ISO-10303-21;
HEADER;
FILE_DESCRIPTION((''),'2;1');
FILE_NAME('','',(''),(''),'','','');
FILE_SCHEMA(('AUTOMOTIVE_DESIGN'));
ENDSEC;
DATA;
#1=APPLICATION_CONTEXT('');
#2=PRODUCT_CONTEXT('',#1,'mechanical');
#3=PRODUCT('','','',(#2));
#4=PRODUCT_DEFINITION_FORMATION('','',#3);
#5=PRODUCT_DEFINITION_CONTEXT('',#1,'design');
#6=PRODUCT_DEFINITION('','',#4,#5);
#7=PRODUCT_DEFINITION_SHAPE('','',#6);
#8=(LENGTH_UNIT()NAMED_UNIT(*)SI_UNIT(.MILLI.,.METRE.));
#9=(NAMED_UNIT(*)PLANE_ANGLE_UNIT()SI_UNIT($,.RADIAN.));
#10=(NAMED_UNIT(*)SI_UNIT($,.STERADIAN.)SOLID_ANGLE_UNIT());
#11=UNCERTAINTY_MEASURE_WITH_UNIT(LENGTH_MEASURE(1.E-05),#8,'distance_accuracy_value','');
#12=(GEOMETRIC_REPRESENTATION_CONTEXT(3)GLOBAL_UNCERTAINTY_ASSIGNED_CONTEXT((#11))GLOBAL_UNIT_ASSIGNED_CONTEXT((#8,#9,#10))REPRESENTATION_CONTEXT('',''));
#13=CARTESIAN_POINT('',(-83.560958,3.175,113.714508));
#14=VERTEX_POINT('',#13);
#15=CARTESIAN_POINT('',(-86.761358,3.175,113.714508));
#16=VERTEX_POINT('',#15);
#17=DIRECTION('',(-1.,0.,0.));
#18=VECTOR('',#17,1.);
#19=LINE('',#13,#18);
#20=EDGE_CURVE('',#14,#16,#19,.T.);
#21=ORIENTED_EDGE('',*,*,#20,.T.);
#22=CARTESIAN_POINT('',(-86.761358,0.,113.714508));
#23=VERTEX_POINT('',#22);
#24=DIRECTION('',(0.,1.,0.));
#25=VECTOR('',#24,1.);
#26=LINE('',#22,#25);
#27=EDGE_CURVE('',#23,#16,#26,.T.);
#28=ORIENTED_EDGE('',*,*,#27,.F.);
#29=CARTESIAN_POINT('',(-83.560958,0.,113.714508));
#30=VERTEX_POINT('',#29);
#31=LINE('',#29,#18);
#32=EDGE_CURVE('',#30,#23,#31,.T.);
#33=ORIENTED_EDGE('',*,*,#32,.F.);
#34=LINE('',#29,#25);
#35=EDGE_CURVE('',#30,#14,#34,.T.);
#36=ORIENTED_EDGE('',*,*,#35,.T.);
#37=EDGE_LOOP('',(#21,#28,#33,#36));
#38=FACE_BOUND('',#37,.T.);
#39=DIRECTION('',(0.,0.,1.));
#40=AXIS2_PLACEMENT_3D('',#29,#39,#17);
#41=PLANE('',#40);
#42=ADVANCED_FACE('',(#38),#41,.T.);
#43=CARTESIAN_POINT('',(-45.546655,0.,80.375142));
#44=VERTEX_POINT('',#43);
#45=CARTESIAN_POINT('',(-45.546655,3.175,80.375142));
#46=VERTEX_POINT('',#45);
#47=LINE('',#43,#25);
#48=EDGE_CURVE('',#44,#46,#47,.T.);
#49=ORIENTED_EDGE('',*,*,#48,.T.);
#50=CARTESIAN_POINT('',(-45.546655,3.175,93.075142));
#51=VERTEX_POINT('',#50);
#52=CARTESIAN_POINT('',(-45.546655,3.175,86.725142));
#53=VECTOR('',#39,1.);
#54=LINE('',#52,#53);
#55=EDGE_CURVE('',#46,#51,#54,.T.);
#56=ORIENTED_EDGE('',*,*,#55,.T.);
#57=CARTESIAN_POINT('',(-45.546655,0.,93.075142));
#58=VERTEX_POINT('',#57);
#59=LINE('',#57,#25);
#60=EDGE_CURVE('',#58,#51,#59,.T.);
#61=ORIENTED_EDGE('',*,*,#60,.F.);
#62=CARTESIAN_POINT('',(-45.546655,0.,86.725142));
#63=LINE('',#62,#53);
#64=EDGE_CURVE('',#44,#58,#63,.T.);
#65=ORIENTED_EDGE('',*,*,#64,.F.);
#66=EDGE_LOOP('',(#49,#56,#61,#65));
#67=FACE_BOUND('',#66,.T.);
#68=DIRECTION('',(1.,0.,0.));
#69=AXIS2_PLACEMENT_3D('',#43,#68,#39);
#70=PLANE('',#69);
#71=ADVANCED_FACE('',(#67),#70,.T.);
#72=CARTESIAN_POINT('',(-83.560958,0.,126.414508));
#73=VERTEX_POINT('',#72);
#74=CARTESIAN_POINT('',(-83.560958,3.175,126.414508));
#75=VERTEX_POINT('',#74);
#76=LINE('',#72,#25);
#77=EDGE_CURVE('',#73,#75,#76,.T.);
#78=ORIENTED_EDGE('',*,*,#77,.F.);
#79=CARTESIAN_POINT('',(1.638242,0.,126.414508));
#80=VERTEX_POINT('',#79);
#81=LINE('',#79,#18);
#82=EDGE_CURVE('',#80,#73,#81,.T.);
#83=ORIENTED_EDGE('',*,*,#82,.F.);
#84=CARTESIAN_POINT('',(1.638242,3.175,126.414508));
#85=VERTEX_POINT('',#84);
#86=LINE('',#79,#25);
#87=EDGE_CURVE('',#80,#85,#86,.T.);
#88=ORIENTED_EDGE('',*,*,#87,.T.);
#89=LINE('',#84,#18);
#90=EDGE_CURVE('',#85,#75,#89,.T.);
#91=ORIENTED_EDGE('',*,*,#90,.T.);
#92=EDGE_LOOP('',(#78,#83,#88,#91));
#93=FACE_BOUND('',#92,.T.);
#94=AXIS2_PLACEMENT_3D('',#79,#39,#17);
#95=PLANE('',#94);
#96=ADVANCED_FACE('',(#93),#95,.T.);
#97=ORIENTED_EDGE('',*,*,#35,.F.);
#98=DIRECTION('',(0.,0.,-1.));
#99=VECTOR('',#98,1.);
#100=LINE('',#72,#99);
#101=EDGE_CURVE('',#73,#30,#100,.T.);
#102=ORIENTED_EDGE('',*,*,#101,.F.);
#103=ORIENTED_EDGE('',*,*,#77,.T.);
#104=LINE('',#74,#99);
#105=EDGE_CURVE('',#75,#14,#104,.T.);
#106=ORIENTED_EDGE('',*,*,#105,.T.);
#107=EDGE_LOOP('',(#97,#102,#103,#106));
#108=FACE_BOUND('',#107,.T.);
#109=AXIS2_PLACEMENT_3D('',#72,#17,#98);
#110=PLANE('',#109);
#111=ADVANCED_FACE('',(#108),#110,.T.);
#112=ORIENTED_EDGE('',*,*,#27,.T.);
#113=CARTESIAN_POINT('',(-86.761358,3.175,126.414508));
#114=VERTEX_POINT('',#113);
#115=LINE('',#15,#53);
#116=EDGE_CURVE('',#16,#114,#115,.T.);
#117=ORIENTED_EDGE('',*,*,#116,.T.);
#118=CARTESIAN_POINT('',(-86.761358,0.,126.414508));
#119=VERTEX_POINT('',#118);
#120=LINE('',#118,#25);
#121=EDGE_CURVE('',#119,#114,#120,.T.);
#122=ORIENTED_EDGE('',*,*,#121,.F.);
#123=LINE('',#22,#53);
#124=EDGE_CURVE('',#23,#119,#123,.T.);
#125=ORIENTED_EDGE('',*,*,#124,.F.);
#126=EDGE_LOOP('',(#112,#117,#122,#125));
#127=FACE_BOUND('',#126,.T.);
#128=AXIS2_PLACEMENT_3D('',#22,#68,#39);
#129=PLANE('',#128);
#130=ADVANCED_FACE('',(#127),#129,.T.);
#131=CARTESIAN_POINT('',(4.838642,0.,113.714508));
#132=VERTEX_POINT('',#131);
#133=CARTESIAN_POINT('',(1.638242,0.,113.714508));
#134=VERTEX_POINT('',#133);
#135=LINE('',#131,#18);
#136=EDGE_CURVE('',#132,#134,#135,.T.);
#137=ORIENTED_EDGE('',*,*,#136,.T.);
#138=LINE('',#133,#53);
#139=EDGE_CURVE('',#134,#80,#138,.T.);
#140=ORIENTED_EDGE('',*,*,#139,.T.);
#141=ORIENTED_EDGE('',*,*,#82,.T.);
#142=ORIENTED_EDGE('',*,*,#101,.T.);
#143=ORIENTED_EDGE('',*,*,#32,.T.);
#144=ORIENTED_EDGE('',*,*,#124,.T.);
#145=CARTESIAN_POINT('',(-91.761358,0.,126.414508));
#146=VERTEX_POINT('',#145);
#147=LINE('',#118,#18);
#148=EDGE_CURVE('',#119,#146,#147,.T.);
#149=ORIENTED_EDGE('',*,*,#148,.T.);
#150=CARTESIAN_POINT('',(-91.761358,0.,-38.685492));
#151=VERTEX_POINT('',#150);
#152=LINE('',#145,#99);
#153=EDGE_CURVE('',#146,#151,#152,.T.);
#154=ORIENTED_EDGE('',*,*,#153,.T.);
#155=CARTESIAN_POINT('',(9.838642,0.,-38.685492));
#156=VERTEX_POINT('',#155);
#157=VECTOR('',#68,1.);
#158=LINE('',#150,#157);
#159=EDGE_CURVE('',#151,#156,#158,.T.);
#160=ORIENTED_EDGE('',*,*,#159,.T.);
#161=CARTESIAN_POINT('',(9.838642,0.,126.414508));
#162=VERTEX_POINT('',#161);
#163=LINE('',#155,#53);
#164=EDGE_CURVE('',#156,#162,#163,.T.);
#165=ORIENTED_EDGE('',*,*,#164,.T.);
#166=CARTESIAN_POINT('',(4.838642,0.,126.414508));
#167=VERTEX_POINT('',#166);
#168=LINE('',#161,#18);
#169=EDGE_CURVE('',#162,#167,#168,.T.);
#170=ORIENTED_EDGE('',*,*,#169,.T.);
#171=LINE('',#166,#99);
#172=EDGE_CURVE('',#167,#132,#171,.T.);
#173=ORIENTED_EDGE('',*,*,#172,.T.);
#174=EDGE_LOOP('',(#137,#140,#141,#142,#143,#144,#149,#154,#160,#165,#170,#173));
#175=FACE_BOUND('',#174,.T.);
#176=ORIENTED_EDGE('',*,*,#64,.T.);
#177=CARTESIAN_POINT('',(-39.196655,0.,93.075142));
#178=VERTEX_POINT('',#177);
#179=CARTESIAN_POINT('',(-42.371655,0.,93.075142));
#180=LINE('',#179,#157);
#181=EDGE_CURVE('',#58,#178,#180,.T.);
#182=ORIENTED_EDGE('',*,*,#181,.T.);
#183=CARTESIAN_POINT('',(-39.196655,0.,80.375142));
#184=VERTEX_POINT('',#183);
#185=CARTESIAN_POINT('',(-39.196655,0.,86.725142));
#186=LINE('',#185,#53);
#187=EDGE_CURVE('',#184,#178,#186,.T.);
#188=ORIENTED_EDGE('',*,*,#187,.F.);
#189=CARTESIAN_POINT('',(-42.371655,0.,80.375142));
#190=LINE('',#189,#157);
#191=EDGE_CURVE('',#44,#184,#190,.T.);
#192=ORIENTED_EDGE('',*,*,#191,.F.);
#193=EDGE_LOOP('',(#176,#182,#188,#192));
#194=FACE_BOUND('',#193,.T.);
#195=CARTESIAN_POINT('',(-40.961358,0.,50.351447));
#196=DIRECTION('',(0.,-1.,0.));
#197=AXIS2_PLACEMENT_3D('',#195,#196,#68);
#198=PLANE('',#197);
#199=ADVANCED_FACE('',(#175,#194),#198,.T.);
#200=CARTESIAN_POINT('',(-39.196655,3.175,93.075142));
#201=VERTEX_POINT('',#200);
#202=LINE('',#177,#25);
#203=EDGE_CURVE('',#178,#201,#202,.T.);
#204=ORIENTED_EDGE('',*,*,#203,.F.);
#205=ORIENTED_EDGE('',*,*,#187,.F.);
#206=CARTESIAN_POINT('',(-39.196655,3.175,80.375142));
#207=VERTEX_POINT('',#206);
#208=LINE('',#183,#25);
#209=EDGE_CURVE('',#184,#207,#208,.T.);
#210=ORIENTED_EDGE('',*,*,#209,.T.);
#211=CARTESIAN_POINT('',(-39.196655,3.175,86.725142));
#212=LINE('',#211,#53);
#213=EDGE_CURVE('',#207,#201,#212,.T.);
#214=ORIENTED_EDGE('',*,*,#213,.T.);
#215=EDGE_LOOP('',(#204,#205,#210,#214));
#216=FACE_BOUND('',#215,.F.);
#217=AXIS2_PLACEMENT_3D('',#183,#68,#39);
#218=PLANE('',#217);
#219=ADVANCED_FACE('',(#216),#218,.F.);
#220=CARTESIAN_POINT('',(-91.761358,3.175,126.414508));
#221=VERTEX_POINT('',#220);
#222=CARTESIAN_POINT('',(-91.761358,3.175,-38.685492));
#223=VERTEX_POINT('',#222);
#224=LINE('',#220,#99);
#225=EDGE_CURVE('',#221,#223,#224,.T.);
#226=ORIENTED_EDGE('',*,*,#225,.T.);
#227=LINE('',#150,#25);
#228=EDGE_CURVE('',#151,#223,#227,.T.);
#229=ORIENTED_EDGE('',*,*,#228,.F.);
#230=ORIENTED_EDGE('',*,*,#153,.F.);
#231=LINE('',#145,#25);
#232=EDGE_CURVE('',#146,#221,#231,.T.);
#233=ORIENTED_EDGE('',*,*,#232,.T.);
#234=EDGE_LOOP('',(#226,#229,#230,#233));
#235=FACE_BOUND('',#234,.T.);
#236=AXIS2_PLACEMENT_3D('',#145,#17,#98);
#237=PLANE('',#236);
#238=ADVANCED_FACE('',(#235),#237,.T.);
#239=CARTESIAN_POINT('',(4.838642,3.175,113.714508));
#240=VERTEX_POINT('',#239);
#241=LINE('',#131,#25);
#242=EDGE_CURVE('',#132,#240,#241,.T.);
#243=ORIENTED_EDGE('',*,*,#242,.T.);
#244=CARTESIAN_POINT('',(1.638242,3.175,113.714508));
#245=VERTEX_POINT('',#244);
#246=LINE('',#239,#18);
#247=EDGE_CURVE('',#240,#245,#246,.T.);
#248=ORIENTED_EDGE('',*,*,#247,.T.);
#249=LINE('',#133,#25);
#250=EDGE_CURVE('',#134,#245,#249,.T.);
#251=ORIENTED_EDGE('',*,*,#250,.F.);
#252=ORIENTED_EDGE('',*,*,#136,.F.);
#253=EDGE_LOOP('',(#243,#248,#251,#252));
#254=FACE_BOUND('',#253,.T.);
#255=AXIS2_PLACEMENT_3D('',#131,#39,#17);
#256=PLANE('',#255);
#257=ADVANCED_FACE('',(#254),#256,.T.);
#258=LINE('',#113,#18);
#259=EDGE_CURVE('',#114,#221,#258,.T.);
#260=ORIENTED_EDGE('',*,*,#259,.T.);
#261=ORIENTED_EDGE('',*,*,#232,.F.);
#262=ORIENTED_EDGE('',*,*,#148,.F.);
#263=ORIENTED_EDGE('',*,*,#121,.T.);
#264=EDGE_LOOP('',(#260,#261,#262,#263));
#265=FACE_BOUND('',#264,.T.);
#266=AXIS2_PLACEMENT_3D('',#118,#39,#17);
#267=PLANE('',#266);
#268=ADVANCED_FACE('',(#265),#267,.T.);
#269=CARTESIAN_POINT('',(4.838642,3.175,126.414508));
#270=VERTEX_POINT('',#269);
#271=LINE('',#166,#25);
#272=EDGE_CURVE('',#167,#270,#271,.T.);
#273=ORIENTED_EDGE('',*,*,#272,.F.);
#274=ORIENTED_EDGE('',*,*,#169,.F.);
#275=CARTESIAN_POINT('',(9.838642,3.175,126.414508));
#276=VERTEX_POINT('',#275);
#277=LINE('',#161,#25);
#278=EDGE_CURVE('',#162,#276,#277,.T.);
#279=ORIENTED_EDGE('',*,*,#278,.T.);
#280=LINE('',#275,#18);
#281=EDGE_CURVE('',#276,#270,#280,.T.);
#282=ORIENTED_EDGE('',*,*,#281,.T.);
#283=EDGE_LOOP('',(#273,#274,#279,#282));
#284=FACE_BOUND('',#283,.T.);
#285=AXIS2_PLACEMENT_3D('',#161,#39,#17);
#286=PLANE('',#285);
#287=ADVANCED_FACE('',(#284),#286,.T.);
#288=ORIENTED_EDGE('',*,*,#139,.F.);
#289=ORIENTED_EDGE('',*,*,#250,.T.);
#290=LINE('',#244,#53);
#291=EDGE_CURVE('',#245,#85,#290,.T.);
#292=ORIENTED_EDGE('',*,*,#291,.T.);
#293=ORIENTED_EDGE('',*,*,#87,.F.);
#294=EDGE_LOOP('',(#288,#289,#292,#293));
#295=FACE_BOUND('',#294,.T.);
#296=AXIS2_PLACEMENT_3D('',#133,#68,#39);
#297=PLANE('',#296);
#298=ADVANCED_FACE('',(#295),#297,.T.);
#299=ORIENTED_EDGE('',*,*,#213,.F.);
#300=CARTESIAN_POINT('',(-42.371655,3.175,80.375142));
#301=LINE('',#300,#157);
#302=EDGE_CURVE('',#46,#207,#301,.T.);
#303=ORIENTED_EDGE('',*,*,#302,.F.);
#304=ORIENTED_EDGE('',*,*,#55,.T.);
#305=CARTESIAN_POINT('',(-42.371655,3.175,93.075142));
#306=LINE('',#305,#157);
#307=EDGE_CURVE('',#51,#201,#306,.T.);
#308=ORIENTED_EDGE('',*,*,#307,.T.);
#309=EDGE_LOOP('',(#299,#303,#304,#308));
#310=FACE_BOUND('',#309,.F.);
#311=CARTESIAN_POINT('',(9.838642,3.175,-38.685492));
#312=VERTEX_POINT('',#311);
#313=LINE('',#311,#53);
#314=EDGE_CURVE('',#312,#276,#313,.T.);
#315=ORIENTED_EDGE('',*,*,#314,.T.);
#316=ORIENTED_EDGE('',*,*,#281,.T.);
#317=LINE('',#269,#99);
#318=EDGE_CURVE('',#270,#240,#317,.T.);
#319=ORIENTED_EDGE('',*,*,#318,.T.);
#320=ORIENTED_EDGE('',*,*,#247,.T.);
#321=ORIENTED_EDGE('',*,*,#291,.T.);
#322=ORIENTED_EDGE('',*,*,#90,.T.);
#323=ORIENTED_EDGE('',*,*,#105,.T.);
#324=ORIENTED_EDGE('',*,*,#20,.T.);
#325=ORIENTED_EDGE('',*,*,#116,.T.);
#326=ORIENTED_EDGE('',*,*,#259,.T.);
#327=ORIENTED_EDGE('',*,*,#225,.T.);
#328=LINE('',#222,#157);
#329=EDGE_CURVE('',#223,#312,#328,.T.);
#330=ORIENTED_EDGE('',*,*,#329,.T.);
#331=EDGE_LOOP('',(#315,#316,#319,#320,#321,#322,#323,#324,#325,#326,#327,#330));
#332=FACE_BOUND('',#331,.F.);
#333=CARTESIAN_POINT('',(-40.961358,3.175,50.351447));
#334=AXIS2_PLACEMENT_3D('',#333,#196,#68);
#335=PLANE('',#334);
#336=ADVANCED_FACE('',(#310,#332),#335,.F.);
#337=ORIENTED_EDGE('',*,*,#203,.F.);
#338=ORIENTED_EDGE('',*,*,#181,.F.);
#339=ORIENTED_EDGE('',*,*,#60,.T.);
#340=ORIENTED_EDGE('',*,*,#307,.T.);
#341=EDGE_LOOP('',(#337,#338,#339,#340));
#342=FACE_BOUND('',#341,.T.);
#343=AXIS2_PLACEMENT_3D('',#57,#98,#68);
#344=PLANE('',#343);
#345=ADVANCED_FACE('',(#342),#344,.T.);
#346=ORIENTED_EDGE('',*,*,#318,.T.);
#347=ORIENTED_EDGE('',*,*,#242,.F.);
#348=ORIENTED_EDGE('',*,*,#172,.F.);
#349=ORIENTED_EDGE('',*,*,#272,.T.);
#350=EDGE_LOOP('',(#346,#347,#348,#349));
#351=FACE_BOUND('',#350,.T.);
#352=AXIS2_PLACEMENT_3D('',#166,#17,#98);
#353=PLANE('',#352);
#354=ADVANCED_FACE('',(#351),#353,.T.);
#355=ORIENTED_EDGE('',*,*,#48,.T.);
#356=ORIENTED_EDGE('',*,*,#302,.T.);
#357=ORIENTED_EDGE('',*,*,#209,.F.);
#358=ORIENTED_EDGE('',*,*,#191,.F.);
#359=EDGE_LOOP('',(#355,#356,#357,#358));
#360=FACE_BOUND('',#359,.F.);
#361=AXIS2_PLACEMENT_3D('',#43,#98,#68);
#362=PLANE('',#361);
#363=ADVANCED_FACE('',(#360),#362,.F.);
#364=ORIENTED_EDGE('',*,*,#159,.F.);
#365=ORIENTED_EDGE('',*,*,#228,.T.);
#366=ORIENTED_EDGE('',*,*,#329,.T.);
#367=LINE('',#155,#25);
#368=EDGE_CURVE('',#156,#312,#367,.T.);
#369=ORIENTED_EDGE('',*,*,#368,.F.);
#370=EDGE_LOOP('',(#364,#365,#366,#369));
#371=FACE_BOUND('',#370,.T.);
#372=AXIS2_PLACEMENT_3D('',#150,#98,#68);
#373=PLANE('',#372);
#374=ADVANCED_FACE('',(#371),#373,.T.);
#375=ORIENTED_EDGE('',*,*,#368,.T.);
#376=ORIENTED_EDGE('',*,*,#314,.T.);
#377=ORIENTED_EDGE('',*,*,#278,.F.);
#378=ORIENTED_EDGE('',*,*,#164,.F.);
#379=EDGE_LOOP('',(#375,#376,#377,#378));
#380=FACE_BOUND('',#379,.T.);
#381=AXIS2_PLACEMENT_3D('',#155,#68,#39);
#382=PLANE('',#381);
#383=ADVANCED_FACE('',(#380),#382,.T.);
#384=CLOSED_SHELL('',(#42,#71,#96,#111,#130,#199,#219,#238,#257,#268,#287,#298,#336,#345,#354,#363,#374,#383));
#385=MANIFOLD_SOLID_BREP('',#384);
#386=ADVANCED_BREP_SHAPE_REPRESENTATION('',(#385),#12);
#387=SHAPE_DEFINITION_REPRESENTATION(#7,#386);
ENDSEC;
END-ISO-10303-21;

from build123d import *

# Parameters (mm, degrees)
F0_W     = 53.34
F0_H     = 73.66
F0_W_2   = 6.35
F0_H_2   = 12.7
F1_DEPTH = 3.175


with BuildPart() as f1:
    # F0 (on Front) → F1 (new body)
    with BuildSketch(Plane.XZ):
        Polygon((-86.761358, 126.414508), (-91.761358, 126.414508), (-91.761358, -38.685492), (9.838642, -38.685492), (9.838642, 126.414508), (4.838642, 126.414508), (4.838642, 113.714508), (1.638242, 113.714508), (1.638242, 126.414508), (-83.560958, 126.414508), (-83.560958, 113.714508), (-86.761358, 113.714508), align=None)
        with Locations((-41.98038, 29.224732)):
            Rectangle(F0_W, F0_H, mode=Mode.SUBTRACT)
        with Locations((-42.371655, 86.725142)):
            Rectangle(F0_W_2, F0_H_2, mode=Mode.SUBTRACT)
        with Locations((-41.98038, 29.224732)):
            Rectangle(F0_W, F0_H)
    extrude(amount=-F1_DEPTH)


solid = f1.part
